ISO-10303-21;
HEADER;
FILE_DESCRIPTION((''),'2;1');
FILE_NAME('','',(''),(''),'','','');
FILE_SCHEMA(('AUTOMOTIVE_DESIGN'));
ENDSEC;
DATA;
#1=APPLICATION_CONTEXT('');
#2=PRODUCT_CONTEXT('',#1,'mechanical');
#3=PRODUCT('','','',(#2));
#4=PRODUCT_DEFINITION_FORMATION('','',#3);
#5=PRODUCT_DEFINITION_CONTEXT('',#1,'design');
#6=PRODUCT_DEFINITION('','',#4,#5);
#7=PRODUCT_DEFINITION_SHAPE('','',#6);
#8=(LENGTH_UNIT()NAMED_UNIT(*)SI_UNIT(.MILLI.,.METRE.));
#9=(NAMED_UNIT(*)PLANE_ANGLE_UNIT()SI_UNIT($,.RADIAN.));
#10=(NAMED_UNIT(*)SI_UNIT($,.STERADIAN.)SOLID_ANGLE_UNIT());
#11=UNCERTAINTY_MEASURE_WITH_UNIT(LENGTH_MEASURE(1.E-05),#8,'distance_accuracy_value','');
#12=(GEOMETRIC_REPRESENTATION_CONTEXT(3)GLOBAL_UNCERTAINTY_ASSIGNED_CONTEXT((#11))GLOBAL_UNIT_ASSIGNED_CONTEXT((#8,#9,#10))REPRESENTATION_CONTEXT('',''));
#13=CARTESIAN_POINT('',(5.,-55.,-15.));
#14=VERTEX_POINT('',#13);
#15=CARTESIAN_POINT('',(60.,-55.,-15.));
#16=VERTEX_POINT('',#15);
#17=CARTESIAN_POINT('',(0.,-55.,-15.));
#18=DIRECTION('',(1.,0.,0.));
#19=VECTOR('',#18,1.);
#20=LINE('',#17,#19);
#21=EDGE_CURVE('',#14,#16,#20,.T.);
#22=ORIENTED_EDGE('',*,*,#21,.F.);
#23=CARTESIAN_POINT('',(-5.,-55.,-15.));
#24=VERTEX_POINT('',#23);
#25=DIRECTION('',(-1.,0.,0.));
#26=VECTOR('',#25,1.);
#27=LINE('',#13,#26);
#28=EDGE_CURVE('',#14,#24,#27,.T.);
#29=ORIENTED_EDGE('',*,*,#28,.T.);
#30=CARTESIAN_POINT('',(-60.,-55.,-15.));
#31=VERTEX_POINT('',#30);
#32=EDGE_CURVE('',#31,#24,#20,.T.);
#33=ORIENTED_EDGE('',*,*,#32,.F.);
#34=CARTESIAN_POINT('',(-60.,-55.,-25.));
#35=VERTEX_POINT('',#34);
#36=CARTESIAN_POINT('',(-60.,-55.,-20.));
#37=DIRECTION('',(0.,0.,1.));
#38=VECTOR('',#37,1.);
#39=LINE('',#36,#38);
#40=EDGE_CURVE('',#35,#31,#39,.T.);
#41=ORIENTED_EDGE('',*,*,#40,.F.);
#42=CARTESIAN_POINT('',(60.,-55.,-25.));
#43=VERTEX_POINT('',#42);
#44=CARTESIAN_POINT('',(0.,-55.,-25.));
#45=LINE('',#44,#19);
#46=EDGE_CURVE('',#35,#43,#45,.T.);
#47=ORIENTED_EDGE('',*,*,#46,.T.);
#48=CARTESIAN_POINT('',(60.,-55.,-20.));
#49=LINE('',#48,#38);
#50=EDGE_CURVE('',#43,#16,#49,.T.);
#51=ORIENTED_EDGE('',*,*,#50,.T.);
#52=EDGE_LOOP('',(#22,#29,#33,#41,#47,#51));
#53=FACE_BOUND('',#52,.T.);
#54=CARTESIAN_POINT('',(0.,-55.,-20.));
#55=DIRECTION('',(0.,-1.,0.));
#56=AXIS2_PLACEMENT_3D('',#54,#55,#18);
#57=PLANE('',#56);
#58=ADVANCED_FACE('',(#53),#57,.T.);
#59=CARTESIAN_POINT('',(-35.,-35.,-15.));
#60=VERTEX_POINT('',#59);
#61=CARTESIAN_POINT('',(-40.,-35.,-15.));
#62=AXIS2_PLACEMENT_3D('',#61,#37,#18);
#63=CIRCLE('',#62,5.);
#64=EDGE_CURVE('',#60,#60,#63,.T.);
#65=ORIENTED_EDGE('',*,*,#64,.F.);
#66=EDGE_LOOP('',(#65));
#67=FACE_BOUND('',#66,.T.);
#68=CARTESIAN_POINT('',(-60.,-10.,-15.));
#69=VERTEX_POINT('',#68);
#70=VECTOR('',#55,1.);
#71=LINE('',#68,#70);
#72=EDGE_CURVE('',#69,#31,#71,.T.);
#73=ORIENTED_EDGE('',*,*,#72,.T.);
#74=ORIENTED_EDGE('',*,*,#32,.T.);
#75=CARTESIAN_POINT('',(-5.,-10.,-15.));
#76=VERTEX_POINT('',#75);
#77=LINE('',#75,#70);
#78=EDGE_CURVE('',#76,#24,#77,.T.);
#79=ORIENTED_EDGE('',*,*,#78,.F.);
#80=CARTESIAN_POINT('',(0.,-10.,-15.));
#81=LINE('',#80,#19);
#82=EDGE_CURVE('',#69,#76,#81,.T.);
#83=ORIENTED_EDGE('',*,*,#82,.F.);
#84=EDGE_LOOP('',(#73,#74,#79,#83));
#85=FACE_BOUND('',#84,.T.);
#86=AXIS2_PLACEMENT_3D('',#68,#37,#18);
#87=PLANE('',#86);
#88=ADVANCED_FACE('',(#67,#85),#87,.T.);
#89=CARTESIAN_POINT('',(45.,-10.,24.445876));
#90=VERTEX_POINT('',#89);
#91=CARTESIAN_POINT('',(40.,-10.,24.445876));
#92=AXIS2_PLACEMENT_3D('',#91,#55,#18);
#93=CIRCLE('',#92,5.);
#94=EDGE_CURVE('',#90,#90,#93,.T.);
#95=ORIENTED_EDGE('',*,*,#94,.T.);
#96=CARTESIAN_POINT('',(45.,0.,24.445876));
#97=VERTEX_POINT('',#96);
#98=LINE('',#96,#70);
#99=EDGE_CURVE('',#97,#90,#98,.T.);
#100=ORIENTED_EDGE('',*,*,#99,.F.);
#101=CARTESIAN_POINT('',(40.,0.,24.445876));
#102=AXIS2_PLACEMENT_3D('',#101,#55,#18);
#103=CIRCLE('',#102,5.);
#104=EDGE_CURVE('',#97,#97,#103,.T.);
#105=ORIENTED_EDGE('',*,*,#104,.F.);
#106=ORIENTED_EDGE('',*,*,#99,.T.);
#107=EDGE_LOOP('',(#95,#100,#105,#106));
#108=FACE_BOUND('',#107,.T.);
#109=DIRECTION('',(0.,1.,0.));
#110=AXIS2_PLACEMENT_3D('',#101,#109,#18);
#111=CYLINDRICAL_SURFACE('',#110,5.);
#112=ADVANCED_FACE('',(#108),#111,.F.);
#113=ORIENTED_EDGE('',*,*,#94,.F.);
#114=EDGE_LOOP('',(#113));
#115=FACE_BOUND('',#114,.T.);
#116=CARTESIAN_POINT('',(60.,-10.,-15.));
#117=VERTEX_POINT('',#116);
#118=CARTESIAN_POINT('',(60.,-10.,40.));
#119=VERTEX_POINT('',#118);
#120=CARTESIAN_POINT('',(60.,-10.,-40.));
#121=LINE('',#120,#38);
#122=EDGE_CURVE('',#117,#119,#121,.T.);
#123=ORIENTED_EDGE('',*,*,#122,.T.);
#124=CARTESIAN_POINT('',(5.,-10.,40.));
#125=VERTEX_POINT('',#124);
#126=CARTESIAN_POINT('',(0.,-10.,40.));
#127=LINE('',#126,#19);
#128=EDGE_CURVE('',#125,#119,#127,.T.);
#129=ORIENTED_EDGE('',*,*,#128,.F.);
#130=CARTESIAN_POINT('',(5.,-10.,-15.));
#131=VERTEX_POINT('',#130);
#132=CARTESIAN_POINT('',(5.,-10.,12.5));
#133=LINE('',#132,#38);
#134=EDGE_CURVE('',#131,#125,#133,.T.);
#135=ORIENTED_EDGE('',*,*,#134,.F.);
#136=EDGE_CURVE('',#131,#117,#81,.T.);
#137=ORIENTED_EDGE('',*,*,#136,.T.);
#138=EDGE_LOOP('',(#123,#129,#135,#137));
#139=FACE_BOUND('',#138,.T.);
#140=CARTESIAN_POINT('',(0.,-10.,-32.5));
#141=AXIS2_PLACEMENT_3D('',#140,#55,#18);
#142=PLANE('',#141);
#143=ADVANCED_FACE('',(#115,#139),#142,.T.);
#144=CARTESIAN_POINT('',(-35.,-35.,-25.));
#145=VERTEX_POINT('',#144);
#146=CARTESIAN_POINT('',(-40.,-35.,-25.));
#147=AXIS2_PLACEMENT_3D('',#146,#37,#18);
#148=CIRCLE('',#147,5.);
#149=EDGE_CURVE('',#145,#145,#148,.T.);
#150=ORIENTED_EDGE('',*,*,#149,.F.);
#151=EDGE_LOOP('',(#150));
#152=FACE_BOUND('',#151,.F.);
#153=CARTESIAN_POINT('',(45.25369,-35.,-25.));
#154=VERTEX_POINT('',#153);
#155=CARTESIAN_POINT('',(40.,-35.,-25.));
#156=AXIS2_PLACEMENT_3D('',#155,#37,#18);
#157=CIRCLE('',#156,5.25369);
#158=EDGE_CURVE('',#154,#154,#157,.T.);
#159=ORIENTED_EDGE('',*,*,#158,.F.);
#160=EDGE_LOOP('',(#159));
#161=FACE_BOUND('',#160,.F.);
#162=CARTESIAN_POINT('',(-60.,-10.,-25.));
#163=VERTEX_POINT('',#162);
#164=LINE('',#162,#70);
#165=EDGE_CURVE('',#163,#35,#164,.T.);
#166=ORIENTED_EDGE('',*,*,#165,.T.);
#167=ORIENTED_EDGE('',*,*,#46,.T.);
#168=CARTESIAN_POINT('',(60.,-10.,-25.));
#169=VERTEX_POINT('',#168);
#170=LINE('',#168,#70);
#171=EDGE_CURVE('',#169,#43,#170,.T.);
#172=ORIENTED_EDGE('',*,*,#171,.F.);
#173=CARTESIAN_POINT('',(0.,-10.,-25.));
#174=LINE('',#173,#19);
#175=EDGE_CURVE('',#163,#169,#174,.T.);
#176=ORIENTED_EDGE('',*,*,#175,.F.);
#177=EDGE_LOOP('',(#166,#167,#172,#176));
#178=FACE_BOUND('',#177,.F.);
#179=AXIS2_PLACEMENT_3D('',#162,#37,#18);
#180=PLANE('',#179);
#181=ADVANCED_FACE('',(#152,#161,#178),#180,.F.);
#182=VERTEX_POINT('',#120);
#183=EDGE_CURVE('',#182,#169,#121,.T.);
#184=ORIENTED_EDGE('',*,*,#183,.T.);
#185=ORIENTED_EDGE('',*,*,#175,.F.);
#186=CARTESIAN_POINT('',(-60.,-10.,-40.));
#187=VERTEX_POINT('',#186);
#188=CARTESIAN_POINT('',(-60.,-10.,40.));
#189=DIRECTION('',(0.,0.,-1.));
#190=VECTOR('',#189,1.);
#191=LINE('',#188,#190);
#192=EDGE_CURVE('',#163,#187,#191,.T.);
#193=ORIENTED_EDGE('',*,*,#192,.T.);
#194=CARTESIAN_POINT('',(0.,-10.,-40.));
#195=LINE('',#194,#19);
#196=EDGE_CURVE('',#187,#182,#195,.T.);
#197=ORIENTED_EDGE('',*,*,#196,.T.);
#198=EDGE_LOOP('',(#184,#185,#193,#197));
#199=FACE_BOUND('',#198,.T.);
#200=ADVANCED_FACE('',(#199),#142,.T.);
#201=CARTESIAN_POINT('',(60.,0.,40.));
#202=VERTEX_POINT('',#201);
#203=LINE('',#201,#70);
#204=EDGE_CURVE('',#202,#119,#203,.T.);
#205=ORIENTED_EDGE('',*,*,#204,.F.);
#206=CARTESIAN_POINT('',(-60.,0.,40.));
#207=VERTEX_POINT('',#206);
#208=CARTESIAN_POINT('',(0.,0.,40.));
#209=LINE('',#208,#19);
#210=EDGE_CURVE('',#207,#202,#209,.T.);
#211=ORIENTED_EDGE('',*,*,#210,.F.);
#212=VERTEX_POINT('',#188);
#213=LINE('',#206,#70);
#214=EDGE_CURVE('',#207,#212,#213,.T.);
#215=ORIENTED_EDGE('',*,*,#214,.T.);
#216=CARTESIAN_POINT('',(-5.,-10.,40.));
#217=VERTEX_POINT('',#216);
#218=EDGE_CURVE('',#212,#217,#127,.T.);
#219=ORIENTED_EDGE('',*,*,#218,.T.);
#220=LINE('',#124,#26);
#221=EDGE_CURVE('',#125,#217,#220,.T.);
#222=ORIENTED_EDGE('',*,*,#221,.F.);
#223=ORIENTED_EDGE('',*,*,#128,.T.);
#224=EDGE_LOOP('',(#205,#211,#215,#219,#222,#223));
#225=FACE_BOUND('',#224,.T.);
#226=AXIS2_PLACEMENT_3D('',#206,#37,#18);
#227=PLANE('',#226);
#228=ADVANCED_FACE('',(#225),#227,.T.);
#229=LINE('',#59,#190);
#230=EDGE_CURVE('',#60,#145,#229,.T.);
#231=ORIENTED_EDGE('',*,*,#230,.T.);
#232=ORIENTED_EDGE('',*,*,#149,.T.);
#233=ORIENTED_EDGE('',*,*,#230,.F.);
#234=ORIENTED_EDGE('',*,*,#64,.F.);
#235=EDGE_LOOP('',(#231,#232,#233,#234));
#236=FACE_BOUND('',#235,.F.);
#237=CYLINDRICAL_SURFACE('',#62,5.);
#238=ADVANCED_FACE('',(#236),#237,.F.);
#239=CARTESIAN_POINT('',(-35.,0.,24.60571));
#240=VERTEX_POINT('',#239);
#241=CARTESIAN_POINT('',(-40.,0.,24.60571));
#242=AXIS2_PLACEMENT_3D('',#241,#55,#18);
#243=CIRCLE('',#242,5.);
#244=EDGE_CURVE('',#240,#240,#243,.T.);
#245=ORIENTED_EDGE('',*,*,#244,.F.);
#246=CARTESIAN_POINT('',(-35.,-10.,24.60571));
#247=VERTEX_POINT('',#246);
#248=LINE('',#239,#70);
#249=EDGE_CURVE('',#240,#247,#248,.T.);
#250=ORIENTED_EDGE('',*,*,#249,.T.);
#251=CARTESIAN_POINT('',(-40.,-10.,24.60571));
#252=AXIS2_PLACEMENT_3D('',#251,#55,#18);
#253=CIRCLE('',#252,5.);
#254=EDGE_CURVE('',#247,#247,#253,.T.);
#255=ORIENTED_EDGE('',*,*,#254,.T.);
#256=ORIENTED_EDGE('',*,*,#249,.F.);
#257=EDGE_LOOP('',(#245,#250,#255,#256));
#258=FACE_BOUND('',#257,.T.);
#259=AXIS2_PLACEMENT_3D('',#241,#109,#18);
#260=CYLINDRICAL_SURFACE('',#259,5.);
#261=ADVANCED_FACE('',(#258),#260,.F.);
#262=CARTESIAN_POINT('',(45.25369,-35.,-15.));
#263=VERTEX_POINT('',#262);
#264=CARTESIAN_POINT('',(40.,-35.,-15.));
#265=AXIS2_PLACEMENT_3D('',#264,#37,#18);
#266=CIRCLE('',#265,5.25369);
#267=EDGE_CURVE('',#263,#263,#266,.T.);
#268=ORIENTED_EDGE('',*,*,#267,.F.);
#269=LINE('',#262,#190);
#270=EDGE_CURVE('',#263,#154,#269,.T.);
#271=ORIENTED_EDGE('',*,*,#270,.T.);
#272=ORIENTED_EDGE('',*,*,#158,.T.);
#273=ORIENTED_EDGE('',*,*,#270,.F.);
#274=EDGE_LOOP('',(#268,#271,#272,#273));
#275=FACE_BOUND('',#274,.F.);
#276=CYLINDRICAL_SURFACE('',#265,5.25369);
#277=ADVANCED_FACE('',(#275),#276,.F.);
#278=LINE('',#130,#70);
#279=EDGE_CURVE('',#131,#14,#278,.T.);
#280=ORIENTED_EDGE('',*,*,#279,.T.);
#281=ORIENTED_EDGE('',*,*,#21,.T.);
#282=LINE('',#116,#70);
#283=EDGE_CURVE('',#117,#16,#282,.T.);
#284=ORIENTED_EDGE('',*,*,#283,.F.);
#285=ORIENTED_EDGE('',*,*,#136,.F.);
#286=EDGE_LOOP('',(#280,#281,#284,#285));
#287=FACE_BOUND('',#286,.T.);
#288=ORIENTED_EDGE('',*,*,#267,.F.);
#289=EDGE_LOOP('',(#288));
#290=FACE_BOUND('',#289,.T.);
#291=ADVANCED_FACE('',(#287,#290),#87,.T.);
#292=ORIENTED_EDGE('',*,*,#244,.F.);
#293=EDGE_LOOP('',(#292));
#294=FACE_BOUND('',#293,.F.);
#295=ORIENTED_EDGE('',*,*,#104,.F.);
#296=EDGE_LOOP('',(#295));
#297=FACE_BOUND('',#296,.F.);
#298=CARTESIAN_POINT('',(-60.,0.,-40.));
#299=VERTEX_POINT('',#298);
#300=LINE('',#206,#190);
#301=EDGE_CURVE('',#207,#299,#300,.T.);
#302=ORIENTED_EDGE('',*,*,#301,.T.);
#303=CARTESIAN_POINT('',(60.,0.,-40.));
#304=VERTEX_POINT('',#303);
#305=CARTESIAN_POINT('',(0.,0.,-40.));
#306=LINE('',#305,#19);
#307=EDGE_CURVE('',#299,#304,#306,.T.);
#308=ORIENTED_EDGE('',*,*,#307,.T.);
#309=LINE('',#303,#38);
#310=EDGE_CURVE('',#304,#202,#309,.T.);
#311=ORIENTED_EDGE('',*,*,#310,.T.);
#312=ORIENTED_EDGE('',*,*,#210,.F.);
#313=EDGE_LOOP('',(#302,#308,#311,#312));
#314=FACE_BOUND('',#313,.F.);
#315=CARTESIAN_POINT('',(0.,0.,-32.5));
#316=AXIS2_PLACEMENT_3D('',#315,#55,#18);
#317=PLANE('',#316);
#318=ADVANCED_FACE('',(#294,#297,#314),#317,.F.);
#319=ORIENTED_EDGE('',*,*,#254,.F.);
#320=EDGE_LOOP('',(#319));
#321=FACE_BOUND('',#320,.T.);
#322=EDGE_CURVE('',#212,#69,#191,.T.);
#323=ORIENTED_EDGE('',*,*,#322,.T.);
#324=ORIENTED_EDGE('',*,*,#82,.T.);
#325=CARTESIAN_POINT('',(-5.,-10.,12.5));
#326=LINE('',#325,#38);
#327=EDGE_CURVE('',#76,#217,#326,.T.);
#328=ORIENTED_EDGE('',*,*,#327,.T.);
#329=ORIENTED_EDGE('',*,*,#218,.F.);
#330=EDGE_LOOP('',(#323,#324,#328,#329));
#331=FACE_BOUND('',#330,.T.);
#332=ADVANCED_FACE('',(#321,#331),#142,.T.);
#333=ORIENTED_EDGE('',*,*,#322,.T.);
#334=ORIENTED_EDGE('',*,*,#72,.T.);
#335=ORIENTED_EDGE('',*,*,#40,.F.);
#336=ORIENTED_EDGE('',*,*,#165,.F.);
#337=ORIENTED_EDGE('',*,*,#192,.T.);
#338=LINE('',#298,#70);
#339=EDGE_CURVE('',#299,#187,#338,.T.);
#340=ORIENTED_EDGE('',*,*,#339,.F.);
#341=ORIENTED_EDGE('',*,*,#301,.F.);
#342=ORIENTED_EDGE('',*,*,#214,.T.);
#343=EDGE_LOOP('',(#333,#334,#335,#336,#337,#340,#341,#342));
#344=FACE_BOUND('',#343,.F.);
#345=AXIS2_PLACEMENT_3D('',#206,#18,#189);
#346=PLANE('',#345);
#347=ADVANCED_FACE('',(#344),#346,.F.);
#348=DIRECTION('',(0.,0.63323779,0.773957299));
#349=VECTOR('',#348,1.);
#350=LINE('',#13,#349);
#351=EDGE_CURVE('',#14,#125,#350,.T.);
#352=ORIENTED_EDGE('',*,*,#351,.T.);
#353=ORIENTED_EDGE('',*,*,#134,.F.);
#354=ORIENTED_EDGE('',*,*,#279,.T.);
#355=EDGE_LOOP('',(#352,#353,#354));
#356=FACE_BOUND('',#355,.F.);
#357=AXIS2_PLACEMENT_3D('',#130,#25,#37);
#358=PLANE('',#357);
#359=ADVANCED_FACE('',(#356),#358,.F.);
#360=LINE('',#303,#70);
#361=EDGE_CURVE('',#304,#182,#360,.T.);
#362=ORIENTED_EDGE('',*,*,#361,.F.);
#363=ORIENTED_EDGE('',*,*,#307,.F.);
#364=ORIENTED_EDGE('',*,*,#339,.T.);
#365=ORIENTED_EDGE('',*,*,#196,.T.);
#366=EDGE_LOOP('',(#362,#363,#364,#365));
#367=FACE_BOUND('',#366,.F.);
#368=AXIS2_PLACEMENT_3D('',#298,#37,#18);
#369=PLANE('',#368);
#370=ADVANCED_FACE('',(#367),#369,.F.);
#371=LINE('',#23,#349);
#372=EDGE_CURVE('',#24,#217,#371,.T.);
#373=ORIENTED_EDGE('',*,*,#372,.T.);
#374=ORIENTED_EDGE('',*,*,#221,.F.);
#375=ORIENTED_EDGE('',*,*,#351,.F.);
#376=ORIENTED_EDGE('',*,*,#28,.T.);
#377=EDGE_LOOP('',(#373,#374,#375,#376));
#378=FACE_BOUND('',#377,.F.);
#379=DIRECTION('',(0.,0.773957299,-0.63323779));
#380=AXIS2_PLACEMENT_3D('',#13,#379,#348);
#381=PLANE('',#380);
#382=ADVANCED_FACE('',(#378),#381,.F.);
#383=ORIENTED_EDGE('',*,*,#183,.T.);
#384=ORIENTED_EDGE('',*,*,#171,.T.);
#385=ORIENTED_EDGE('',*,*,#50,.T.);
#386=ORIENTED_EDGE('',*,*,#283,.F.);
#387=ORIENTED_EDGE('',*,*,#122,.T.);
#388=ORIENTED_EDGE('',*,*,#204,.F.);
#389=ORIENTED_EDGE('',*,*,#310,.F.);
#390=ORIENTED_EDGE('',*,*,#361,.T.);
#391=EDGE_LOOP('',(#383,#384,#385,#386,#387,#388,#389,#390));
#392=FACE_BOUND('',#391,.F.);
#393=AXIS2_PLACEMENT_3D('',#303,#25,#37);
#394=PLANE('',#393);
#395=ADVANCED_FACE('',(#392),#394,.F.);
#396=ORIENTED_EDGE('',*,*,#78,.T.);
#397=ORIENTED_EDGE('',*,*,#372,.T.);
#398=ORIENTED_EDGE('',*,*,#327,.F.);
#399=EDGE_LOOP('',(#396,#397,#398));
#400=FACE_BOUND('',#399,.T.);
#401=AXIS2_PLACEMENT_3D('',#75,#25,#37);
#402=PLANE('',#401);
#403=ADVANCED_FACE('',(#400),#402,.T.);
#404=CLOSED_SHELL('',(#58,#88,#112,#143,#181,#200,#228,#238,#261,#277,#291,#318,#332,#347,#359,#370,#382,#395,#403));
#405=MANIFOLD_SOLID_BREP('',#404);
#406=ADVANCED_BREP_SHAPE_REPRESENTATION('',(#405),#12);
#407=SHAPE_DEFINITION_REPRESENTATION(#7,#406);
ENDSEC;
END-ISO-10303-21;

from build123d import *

# Parameters (mm, degrees)
F0_W     = 120
F0_H     = 15
F0_H_2   = 13.18299
F0_H_3   = 51.81701
F0_R     = 5
F1_DEPTH = 10
F2_W     = 120
F2_H     = 10
F3_DEPTH = 45
F4_R     = 5
F4_R_2   = 5.25369
F5_DEPTH = 25
F6_W     = 10
F6_H     = 55
F7_DEPTH = 45
F9_DEPTH = 10


with BuildPart() as f1:
    # F0 (on Front) → F1 (new body)
    with BuildSketch(Plane.XZ):
        with Locations((0, -32.5)):
            Rectangle(F0_W, F0_H)
        with Locations((0, -18.408505)):
            Rectangle(F0_W, F0_H_2)
        with Locations((0, 14.091495)):
            Rectangle(F0_W, F0_H_3)
        with Locations((-40, 24.60571)):
            Circle(F0_R, mode=Mode.SUBTRACT)
        with Locations((40, 24.445876)):
            Circle(F0_R, mode=Mode.SUBTRACT)
    extrude(amount=F1_DEPTH)

    # F2 (on face) → F3 (join)
    with BuildSketch(Plane.XZ.offset(10)):
        with Locations((0, -20)):
            Rectangle(F2_W, F2_H)
    extrude(amount=F3_DEPTH)

    # F4 (on face) → F5 (cut)
    with BuildSketch(Plane.XY.offset(-15)):
        with Locations((-40, -35)):
            Circle(F4_R)
        with Locations((40, -35)):
            Circle(F4_R_2)
    extrude(amount=-F5_DEPTH, mode=Mode.SUBTRACT)

    # F6 (on face) → F7 (join)
    with BuildSketch(Plane.XZ.offset(10)):
        with Locations((0, 12.5)):
            Rectangle(F6_W, F6_H)
    extrude(amount=F7_DEPTH)

    # F8 (on face) → F9 (cut)
    with BuildSketch(Plane.YZ.offset(5)):
        Polygon((-55, -15), (-10, 40), (-55, 40), align=None)
    extrude(amount=-F9_DEPTH, mode=Mode.SUBTRACT)


solid = f1.part
